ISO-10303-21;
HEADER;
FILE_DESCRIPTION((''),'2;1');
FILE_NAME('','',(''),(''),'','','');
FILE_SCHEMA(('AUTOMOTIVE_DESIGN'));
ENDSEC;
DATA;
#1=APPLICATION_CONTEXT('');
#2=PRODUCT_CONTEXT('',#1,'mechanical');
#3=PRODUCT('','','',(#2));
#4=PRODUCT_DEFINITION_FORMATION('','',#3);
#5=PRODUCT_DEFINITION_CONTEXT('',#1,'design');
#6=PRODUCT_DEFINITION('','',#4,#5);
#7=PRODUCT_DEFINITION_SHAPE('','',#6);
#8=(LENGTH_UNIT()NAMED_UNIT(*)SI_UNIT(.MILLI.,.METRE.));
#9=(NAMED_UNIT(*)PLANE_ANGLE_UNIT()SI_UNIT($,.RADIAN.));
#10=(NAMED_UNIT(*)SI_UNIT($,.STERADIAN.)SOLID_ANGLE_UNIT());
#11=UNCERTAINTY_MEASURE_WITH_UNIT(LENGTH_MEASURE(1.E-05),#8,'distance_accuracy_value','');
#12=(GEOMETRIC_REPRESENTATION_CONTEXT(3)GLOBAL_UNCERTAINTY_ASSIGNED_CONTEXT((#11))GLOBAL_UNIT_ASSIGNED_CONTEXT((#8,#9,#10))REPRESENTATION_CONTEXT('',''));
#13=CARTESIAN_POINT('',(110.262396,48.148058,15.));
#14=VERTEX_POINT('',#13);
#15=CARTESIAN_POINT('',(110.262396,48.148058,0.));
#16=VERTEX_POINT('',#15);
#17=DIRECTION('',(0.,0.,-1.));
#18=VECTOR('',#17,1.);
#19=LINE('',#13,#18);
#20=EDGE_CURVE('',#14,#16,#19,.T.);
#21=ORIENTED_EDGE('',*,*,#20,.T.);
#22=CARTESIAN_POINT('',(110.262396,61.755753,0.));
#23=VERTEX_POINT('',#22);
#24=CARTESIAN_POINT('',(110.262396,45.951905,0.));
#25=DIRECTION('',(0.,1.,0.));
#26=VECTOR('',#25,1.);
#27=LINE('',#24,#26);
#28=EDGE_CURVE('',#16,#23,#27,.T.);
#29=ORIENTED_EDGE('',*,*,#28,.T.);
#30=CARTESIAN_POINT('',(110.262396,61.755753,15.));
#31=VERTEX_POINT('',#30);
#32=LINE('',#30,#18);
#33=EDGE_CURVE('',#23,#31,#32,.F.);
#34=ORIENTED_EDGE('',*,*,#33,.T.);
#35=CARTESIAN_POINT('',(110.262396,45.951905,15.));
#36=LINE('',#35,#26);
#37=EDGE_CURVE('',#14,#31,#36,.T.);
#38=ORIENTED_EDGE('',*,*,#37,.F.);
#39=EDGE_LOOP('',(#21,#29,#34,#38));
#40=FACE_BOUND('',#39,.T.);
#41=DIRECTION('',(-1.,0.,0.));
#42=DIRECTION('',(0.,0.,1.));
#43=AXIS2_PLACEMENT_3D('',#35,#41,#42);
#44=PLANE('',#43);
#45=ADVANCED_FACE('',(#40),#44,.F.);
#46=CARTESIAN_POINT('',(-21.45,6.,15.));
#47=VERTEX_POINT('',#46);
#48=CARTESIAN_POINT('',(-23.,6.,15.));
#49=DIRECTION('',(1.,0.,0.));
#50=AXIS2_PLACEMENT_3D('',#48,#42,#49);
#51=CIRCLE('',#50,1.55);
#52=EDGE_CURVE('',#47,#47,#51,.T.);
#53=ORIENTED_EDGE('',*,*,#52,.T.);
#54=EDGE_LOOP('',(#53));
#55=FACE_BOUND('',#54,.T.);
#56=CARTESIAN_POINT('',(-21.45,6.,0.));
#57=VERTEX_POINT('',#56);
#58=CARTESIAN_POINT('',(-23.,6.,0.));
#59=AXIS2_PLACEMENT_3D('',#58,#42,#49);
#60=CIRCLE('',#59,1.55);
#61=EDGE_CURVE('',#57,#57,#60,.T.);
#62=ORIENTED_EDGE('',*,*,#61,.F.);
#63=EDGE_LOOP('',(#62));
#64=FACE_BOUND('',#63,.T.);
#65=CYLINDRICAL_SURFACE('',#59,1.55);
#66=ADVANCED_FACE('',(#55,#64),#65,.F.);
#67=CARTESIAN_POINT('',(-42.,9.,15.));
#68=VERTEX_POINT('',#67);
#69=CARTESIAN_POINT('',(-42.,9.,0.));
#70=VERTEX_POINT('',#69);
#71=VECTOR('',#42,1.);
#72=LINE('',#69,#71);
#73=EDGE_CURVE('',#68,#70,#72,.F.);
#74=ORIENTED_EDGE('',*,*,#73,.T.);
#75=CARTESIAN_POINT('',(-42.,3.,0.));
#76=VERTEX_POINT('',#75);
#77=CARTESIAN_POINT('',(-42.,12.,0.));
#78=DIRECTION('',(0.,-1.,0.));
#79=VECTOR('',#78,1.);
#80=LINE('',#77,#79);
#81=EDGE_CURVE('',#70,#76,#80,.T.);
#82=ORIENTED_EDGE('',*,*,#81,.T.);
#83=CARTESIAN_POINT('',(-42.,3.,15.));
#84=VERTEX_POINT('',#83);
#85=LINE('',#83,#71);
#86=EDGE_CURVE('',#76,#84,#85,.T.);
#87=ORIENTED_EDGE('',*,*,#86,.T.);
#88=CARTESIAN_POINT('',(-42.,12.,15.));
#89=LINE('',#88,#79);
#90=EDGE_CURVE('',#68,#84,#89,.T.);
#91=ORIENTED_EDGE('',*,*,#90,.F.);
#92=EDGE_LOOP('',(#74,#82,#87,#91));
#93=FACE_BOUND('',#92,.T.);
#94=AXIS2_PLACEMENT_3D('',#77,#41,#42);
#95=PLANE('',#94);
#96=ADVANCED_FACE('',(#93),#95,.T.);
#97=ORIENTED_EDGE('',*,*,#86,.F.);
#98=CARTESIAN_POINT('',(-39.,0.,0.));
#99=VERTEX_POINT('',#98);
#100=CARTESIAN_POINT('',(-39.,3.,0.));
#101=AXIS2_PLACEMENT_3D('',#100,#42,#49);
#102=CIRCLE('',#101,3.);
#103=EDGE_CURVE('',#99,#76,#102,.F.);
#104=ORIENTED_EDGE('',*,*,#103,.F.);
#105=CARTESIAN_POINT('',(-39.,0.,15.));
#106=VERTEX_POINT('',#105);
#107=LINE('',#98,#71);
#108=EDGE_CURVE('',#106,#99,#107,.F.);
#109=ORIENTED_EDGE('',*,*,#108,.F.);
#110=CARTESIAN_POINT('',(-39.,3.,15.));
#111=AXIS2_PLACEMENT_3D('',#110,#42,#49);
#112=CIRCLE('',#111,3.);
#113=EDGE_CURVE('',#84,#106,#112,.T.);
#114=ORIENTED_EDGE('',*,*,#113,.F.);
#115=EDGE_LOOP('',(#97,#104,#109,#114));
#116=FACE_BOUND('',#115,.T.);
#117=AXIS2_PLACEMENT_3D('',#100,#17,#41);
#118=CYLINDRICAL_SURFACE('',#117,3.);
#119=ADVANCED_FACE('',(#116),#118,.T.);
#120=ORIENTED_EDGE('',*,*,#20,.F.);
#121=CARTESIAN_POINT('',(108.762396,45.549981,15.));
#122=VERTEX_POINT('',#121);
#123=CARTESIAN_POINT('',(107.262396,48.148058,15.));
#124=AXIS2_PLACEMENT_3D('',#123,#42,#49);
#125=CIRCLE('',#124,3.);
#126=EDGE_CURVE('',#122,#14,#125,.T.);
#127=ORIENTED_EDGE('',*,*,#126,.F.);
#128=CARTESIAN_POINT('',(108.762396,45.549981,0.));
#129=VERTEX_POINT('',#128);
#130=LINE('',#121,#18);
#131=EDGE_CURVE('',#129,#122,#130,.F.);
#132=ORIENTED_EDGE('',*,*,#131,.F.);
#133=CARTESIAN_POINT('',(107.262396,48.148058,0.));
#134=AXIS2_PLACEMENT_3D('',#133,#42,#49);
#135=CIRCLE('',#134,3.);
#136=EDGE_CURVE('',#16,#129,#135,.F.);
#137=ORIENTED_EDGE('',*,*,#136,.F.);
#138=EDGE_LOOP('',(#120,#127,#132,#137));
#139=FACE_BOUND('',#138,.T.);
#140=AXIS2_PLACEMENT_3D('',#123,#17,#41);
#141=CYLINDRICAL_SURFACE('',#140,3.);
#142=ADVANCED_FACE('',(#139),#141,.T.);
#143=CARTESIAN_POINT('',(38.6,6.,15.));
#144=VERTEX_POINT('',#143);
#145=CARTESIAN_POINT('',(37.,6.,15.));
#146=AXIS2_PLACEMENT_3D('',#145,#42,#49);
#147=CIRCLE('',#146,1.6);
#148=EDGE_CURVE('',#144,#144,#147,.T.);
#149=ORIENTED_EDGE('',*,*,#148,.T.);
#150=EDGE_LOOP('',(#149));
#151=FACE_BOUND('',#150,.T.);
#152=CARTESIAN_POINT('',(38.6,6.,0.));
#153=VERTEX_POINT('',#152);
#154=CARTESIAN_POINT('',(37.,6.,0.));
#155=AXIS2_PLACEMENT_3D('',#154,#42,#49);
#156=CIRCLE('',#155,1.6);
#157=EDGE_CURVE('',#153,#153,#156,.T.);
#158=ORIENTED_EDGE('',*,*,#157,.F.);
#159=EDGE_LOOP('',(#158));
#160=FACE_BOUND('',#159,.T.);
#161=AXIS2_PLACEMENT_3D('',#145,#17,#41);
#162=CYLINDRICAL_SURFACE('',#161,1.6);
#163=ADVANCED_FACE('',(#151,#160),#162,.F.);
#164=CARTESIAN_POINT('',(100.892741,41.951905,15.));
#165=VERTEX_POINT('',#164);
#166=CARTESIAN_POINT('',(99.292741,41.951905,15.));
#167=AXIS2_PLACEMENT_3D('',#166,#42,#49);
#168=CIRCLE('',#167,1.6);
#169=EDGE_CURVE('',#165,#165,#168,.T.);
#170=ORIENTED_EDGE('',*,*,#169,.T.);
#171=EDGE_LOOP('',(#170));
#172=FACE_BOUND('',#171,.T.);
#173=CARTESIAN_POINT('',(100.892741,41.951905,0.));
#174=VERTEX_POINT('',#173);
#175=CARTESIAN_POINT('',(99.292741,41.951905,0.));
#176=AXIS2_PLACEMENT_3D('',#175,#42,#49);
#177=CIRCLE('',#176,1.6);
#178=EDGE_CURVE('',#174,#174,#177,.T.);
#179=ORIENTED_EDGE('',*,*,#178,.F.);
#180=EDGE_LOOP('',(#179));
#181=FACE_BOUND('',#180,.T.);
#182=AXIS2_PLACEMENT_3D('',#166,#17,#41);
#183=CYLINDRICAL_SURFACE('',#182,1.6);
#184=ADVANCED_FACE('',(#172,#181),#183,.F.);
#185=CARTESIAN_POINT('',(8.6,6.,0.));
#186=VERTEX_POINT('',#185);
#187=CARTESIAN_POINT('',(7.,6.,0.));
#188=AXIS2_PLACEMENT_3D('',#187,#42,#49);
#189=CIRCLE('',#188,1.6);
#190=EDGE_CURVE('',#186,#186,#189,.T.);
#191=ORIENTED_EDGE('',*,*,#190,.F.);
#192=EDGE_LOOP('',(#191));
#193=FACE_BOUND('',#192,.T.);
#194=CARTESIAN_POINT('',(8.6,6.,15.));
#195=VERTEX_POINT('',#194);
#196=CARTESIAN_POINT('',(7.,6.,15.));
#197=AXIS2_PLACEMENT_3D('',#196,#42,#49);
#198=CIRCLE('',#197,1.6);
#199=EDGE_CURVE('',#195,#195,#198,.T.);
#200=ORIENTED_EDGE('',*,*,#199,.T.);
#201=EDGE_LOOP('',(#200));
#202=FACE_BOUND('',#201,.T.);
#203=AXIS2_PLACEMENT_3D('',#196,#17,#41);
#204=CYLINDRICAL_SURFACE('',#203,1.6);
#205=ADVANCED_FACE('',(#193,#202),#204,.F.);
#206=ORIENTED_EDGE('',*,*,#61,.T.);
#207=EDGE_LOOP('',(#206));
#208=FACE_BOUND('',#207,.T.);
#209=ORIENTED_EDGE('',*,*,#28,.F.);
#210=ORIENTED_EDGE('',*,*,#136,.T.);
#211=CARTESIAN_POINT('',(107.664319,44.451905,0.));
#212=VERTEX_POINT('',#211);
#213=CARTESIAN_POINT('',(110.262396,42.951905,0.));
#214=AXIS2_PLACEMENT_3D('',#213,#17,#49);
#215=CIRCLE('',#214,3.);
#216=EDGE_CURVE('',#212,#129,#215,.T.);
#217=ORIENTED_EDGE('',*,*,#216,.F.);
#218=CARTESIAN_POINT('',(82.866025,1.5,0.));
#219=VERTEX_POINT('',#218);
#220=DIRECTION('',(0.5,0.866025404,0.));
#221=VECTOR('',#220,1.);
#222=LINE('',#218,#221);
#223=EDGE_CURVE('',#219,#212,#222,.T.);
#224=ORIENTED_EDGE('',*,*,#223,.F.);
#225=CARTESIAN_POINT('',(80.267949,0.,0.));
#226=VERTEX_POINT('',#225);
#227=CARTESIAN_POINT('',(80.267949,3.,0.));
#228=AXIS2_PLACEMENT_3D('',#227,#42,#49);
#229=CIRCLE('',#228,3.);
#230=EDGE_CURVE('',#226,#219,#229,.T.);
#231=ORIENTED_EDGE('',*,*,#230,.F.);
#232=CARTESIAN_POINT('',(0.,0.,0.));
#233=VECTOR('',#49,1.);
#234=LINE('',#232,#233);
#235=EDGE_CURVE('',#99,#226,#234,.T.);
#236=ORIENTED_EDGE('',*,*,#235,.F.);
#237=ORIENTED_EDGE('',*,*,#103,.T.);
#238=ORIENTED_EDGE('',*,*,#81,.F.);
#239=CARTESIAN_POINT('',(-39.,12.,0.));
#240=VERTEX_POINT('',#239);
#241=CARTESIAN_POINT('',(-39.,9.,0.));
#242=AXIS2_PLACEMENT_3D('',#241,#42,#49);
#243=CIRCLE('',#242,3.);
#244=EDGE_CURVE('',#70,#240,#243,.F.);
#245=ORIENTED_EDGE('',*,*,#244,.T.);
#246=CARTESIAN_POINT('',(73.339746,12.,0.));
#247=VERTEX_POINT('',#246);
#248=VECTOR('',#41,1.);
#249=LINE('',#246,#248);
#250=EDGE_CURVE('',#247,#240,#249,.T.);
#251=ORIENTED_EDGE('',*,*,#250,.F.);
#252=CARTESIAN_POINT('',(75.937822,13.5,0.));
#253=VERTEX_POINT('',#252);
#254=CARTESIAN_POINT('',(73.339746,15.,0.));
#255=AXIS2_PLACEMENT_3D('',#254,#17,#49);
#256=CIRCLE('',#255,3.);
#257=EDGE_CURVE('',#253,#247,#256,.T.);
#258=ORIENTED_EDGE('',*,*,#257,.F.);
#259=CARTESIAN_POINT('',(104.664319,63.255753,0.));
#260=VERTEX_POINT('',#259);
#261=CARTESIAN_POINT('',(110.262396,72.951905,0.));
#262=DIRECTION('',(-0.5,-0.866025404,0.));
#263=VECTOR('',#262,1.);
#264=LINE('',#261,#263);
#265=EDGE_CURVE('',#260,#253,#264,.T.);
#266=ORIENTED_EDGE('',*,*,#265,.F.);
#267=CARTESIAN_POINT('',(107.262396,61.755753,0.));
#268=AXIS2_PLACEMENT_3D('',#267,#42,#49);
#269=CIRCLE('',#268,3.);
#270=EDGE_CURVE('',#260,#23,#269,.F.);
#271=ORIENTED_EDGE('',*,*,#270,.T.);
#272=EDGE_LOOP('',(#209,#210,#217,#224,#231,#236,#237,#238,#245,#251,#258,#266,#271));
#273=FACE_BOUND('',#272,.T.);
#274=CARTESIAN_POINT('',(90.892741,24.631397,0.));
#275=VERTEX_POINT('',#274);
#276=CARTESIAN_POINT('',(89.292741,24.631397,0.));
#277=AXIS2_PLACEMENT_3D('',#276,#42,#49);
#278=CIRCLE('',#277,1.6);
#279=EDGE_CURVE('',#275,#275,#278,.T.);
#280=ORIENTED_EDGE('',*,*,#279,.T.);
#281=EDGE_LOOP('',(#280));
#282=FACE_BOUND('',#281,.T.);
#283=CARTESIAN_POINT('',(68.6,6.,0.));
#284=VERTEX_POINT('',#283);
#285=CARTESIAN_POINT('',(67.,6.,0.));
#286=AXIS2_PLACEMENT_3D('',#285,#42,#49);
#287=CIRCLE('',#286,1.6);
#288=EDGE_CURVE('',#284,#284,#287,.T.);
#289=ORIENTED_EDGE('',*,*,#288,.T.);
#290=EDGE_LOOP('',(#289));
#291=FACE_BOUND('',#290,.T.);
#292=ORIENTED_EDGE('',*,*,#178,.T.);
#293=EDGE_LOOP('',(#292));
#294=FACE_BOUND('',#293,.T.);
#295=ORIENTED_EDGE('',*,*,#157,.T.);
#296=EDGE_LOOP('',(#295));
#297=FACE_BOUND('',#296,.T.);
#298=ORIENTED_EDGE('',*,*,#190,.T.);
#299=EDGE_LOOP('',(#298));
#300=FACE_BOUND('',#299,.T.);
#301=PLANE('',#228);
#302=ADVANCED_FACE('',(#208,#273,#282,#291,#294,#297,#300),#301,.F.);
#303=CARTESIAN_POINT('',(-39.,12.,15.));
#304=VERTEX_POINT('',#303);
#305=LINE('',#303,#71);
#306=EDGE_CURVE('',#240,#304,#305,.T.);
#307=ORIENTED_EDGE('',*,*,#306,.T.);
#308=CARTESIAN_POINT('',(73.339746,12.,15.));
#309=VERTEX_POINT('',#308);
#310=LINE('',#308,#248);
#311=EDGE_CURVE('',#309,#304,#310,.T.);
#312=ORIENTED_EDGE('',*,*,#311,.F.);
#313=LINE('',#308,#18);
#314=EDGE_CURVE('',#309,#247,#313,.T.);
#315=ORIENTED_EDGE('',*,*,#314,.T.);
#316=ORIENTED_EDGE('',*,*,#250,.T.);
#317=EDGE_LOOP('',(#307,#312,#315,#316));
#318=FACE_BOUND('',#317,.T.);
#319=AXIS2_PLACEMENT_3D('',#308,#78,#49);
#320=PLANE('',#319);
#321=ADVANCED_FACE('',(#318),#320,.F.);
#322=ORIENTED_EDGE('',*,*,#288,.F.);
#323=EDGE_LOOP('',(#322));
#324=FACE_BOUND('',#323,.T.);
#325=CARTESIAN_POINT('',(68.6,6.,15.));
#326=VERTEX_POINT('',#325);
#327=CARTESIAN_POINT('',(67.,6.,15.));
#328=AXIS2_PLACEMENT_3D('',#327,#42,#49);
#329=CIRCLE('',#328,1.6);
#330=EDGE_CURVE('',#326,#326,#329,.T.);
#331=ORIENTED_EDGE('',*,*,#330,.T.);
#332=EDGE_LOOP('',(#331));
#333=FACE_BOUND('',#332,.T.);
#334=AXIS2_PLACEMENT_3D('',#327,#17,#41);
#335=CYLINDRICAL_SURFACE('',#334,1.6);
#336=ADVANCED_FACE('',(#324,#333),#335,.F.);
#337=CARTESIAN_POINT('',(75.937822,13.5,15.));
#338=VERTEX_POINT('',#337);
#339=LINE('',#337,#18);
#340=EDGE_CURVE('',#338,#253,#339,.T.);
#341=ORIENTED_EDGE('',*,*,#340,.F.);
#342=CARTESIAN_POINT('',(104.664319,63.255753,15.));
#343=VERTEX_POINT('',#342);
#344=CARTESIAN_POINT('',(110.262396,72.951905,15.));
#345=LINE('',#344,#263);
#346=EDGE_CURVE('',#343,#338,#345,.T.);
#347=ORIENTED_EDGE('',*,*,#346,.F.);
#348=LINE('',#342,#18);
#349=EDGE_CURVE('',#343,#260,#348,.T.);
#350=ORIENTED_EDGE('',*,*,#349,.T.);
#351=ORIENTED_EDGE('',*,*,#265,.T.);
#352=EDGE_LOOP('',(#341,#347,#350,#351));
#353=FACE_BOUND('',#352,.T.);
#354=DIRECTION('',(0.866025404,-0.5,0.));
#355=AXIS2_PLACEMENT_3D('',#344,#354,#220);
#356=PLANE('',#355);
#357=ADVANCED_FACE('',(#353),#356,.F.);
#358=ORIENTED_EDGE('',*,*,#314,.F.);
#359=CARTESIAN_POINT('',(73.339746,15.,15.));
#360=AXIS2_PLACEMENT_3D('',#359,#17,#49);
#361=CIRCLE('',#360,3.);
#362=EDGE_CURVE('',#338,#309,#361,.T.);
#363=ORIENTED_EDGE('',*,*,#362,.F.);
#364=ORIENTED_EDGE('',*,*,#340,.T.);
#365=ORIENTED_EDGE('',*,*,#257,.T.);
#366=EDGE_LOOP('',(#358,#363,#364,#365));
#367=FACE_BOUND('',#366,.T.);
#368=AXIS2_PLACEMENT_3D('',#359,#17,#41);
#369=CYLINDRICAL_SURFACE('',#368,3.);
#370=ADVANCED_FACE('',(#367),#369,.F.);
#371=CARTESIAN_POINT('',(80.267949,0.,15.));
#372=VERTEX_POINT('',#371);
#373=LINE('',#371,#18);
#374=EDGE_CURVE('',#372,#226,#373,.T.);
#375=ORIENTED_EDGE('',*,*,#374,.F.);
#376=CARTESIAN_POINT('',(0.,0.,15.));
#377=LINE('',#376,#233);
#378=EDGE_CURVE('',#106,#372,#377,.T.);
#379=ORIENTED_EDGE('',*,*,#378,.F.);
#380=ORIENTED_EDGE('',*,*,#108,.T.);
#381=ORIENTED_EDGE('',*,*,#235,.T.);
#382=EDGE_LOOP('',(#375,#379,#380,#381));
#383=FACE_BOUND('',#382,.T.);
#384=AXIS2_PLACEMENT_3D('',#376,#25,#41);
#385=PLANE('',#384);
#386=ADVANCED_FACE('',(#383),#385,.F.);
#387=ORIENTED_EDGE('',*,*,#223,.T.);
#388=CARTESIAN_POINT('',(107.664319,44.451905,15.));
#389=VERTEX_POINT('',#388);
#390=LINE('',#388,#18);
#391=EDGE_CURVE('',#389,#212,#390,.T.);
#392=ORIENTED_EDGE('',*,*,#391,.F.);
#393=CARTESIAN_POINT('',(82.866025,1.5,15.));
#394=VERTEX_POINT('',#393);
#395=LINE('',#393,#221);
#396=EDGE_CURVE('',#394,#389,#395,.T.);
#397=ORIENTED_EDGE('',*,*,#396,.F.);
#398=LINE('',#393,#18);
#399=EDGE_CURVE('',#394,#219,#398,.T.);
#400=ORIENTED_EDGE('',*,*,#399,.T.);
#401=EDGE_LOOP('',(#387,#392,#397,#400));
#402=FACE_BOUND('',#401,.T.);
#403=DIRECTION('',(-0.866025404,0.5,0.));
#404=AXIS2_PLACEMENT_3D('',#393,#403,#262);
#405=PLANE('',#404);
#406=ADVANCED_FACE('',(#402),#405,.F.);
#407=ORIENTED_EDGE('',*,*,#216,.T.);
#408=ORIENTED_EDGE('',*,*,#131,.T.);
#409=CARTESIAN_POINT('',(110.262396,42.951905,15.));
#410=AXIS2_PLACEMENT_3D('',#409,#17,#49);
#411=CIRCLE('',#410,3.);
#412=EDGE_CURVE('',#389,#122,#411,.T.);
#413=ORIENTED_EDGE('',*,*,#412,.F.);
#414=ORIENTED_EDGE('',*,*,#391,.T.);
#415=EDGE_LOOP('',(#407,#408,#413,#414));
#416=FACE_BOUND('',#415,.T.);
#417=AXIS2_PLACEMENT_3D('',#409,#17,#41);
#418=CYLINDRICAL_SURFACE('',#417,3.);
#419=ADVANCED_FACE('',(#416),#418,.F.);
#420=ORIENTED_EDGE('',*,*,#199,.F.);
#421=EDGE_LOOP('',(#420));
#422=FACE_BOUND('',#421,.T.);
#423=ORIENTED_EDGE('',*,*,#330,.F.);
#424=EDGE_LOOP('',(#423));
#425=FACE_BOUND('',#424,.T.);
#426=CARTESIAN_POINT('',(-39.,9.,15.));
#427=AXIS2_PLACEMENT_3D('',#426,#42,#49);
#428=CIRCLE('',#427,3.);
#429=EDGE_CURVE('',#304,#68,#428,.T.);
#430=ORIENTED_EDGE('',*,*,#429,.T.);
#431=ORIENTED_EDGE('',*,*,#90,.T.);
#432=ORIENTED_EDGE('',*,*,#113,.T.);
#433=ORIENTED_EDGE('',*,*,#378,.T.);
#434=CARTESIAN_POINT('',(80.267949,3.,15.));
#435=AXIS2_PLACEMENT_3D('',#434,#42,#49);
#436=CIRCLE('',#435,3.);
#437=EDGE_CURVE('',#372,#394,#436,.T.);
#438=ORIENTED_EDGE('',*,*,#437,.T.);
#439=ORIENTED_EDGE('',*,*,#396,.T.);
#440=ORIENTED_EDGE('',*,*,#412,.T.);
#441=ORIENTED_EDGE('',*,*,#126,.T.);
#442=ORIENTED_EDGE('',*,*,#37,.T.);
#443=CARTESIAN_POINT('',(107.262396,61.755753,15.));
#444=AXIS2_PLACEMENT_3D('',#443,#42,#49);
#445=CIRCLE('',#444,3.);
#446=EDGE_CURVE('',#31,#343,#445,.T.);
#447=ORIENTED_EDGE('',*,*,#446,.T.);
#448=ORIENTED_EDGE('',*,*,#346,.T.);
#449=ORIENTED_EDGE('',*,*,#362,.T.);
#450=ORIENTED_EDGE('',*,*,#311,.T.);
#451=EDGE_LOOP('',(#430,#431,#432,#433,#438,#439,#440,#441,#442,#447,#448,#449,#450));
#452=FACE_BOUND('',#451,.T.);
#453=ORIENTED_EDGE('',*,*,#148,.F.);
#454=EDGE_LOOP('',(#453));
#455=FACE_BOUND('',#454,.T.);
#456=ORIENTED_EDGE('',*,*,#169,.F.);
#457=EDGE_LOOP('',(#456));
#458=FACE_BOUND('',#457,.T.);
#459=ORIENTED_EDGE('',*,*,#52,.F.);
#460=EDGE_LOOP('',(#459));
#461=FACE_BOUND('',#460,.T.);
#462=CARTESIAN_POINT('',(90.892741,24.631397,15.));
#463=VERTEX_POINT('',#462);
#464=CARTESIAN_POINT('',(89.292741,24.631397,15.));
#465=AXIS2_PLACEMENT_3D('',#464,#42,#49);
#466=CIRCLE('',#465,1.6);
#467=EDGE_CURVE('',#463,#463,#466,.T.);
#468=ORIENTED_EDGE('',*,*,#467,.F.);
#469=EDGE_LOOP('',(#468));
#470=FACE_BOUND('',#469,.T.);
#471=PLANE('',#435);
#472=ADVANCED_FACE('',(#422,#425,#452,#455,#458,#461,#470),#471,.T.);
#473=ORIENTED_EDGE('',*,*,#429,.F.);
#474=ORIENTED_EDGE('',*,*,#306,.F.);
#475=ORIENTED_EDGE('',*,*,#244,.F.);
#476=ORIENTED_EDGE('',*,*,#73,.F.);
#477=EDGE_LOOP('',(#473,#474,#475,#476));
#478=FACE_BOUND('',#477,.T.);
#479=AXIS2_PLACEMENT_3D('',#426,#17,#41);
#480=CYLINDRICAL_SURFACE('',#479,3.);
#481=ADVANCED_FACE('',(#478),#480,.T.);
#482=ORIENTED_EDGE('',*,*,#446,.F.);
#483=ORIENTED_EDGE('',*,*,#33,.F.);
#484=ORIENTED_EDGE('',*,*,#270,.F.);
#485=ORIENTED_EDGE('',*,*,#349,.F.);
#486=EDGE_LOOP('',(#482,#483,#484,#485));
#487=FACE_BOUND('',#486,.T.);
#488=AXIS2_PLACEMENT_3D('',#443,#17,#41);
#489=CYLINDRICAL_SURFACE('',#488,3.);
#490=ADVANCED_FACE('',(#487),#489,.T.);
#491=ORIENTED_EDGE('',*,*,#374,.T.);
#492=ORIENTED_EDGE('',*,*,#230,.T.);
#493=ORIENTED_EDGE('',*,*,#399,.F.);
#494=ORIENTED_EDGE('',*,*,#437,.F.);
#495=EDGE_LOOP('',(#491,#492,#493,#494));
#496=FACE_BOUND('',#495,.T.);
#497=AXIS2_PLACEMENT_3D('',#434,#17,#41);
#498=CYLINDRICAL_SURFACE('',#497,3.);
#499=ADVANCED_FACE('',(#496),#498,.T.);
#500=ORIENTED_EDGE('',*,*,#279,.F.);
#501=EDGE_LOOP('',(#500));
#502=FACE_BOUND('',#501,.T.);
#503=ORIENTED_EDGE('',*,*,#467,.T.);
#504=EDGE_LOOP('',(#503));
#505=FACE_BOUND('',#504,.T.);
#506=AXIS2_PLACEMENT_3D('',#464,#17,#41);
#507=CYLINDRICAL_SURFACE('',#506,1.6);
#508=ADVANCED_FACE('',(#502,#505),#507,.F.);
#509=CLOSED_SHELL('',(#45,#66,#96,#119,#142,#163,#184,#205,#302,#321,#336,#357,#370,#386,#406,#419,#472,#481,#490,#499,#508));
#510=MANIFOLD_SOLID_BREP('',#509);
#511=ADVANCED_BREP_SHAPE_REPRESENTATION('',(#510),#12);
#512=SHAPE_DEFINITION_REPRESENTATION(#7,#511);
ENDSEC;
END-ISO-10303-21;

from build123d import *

# Parameters (mm, degrees)
SKETCH_2_R      = 1.6
EXTRUDE_1_DEPTH = 15
FILLET_1_R      = 3
SKETCH_3_W      = 45
SKETCH_3_H      = 12
SKETCH_3_R      = 1.55
EXTRUDE_2_DEPTH = 15
FILLET_2_R      = 3


with BuildPart() as part:
    # 草图2 → 凸台-拉伸1 (new body)
    with BuildSketch(Plane.XY):
        with BuildLine():
            Line((110.262395693, 45.951905284), (110.262395693, 72.951905284))
            Line((110.262395693, 72.951905284), (75.937822174, 13.5))
            ThreePointArc((75.937822174, 13.5), (74.839745962, 12.401923789), (73.339745962, 12))
            Line((73.339745962, 12), (0, 12))
            Line((0, 12), (0, 0))
            Line((0, 0), (80.267949192, 0))
            ThreePointArc((80.267949192, 0), (81.767949192, 0.401923789), (82.866025404, 1.5))
            Line((82.866025404, 1.5), (107.664319482, 44.451905284))
            ThreePointArc((107.664319482, 44.451905284), (108.762395693, 45.549981495), (110.262395693, 45.951905284))
        make_face()
        with Locations((99.292740578, 41.951905284)):
            Circle(SKETCH_2_R, mode=Mode.SUBTRACT)
        with Locations((89.292740578, 24.631397208)):
            Circle(SKETCH_2_R, mode=Mode.SUBTRACT)
        with Locations((67, 6)):
            Circle(SKETCH_2_R, mode=Mode.SUBTRACT)
        with Locations((37, 6)):
            Circle(SKETCH_2_R, mode=Mode.SUBTRACT)
        with Locations((7, 6)):
            Circle(SKETCH_2_R, mode=Mode.SUBTRACT)
    extrude(amount=EXTRUDE_1_DEPTH)

    # 圆角1
    fillet_1_edges = [part.edges().sort_by_distance(p)[0] for p in [
        (0, 0, 7.5),
        (0, 12, 7.5),
        (110.262395693, 72.951905284, 7.5),
        (110.262395693, 45.951905284, 7.5),
    ]]
    fillet(fillet_1_edges, radius=FILLET_1_R)

    # 草图3 → 凸台-拉伸2 (add)
    with BuildSketch(Plane.XY.offset(15)):
        with Locations((-19.5, 6)):
            Rectangle(SKETCH_3_W, SKETCH_3_H)
        with Locations((-23, 6)):
            Circle(SKETCH_3_R, mode=Mode.SUBTRACT)
    extrude(amount=-EXTRUDE_2_DEPTH)

    # 圆角2
    fillet_2_edges = [part.edges().sort_by_distance(p)[0] for p in [
        (-42, 0, 7.5),
        (-42, 12, 7.5),
    ]]
    fillet(fillet_2_edges, radius=FILLET_2_R)


solid = part.part
